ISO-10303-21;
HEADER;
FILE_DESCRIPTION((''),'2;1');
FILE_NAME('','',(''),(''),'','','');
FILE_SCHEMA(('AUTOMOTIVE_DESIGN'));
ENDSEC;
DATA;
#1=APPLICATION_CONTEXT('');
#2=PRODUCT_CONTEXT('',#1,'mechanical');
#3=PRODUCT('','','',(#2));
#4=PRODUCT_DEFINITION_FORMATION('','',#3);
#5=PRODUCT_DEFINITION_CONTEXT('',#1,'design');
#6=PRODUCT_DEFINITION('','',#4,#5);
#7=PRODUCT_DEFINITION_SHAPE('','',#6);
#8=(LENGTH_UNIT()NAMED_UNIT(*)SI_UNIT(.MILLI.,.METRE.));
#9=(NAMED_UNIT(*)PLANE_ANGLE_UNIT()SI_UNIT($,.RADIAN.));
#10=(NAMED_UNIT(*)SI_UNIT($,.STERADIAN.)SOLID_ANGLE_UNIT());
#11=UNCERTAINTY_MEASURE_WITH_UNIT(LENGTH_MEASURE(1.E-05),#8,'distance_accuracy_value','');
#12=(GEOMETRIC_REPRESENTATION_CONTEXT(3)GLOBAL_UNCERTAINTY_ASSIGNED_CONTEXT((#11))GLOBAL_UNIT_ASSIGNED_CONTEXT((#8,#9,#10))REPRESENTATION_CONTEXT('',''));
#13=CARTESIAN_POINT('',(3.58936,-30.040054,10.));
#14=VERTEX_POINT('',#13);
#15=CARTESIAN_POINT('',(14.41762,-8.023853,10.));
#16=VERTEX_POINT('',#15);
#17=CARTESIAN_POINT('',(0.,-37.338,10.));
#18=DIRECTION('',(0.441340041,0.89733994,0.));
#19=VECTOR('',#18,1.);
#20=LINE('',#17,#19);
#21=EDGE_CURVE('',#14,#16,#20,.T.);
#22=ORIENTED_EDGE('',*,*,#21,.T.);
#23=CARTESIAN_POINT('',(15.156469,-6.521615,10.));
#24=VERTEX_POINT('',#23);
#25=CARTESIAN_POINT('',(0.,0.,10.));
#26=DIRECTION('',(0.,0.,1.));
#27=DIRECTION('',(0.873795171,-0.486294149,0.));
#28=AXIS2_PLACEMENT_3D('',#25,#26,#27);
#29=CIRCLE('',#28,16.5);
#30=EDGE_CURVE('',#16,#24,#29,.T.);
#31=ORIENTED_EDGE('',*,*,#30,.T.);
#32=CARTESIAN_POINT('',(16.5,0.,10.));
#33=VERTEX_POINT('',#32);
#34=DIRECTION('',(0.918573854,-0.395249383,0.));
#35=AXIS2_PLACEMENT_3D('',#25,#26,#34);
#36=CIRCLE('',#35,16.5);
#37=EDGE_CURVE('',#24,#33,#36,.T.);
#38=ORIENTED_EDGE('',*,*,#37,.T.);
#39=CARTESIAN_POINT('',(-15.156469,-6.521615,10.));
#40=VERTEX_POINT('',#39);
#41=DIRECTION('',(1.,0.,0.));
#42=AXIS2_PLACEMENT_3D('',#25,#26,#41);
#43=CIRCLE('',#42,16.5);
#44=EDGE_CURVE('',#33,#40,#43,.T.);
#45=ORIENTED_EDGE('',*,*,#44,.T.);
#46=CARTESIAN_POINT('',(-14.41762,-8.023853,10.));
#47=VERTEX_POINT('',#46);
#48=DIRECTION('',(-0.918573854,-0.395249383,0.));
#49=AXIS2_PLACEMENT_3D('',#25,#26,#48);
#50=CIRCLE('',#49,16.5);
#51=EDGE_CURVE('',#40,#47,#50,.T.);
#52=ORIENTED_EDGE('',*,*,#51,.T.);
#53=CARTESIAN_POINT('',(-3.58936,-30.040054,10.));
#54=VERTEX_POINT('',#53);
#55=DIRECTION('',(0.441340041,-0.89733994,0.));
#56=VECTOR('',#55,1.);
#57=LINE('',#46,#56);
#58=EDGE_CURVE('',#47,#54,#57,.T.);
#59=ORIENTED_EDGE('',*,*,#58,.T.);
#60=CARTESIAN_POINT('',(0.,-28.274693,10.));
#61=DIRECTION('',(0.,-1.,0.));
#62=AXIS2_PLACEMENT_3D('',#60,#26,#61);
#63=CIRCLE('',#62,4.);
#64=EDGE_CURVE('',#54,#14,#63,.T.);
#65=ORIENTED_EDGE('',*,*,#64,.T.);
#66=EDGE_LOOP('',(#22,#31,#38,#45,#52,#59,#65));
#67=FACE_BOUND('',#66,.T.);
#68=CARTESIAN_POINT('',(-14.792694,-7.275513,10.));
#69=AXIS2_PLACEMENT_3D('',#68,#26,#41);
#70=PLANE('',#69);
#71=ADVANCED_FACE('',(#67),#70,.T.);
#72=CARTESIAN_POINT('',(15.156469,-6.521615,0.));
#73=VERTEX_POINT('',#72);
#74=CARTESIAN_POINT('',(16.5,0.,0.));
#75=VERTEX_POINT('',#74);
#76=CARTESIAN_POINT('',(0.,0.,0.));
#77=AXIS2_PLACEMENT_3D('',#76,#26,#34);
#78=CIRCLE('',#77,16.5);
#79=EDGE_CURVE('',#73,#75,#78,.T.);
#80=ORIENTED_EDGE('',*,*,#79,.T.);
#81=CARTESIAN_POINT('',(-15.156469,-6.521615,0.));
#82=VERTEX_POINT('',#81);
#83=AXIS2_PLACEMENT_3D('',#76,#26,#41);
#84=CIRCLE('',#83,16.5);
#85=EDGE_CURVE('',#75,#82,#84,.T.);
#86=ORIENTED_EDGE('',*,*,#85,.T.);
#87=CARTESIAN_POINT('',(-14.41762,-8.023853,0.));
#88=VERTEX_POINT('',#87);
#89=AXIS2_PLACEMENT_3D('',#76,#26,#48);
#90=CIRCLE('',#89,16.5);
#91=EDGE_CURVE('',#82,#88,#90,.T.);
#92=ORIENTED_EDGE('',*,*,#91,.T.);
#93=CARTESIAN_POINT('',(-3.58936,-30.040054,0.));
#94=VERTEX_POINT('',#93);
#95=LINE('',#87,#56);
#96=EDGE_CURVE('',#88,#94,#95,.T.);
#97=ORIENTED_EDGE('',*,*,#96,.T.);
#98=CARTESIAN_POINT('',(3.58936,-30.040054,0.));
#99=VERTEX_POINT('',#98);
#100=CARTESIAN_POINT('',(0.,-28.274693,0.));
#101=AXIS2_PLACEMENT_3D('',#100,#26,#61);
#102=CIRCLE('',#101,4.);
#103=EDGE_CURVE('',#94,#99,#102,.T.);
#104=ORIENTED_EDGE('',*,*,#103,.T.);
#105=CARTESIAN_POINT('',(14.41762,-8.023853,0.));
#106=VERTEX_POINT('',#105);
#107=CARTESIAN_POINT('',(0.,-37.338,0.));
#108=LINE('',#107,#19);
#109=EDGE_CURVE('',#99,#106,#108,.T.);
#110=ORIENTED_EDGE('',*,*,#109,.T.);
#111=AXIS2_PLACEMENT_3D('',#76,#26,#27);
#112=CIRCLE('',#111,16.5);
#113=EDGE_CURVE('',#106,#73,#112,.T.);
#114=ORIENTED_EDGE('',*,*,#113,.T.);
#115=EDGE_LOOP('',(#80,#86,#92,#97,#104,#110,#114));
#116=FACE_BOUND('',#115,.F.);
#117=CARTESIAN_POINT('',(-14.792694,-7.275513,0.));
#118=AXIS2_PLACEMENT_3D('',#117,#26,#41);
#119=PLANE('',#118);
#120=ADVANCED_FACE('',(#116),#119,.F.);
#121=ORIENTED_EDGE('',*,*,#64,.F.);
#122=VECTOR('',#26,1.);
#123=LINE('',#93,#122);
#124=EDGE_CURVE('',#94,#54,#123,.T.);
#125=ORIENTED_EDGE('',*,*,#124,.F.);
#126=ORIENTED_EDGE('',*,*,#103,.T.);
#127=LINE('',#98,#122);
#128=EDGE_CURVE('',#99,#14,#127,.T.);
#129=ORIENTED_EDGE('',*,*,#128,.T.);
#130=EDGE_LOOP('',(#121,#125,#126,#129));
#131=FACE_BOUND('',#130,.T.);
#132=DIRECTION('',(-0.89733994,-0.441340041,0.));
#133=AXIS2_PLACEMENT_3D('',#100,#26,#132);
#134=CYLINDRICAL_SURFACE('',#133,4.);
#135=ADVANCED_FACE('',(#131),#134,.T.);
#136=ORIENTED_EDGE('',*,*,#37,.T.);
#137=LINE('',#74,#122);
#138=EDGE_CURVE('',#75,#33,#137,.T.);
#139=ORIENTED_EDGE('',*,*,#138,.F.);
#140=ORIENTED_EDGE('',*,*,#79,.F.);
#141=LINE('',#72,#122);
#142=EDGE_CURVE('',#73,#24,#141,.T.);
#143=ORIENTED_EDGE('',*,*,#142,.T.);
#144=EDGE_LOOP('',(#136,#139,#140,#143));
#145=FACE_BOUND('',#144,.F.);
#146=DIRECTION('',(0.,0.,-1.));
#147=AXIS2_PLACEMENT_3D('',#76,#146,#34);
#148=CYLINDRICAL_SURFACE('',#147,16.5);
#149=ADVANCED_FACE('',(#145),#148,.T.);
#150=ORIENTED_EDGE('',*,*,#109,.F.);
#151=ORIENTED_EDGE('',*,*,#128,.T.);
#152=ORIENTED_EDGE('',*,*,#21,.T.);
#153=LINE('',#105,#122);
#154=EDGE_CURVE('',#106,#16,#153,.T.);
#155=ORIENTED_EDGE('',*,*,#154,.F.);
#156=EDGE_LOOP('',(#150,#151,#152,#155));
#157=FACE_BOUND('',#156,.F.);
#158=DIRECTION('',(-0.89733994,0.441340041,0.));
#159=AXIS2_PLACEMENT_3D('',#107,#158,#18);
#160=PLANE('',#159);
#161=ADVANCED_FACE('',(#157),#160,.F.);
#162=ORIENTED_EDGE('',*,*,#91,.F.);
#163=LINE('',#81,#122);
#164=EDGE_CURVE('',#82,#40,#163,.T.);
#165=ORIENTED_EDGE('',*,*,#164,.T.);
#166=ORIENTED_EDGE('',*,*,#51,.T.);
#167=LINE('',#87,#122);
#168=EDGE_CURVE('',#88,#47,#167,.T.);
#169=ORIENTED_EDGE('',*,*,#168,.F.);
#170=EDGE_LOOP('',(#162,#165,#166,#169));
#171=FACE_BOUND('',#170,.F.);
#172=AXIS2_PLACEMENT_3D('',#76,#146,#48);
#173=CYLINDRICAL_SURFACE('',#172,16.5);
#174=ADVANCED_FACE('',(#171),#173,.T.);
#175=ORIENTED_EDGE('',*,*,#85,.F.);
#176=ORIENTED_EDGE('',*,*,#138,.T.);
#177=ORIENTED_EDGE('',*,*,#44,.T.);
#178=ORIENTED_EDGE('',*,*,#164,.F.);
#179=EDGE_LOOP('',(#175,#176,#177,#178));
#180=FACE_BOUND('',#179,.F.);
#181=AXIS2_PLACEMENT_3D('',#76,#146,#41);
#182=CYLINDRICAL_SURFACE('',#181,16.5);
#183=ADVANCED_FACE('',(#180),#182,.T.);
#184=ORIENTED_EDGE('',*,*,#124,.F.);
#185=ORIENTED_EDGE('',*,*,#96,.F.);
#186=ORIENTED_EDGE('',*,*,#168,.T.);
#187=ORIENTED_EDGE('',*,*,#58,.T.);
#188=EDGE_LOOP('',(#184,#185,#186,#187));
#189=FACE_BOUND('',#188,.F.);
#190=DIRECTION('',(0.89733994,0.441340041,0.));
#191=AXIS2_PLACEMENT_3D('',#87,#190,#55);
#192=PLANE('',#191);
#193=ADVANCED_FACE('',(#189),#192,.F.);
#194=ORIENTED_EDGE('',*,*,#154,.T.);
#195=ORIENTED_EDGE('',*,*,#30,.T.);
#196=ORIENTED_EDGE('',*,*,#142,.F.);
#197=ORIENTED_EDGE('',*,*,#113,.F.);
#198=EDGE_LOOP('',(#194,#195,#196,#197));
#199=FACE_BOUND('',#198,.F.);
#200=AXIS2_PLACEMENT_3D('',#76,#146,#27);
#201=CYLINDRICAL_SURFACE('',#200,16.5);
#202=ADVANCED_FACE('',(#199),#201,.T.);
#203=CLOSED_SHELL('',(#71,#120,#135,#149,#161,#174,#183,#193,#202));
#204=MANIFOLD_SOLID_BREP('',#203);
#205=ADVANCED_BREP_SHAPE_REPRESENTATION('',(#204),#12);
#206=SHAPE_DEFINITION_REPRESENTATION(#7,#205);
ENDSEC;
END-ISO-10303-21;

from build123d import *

# Parameters (mm, degrees)
F1_DEPTH = 10
F2_R     = 4


with BuildPart() as f1:
    # F0 (on Top) → F1 (new body)
    with BuildSketch(Plane.XY):
        with BuildLine():
            Line((-14.4176203235, -8.0238534513), (-15.1564685919, -6.5216148171))
            ThreePointArc((-15.1564685919, -6.5216148171), (-14.8061090102, -7.2821106815), (-14.4176203235, -8.0238534513))
        make_face()
        with BuildLine():
            ThreePointArc((14.4176203235, -8.0238534513), (0, -16.5), (-14.4176203235, -8.0238534513))
            Line((-14.4176203235, -8.0238534513), (0, -37.3379997909))
            Line((0, -37.3379997909), (14.4176203235, -8.0238534513))
        make_face()
        with BuildLine():
            ThreePointArc((14.4176203235, -8.0238534513), (14.8061090102, -7.2821106815), (15.1564685919, -6.5216148171))
            Line((15.1564685919, -6.5216148171), (14.4176203235, -8.0238534513))
        make_face()
        with BuildLine():
            ThreePointArc((15.1564685919, -6.5216148171), (16.1606270263, -3.329284325), (16.5, 0))
            ThreePointArc((16.5, 0), (-3.329284325, 16.1606270263), (-15.1564685919, -6.5216148171))
            Line((-15.1564685919, -6.5216148171), (-14.4176203235, -8.0238534513))
            ThreePointArc((-14.4176203235, -8.0238534513), (0, -16.5), (14.4176203235, -8.0238534513))
            Line((14.4176203235, -8.0238534513), (15.1564685919, -6.5216148171))
        make_face()
    extrude(amount=F1_DEPTH)

    # F2
    f2_edges = [f1.edges().sort_by_distance(p)[0] for p in [
        (0, -37.338, 5),
    ]]
    fillet(f2_edges, radius=F2_R)


solid = f1.part
